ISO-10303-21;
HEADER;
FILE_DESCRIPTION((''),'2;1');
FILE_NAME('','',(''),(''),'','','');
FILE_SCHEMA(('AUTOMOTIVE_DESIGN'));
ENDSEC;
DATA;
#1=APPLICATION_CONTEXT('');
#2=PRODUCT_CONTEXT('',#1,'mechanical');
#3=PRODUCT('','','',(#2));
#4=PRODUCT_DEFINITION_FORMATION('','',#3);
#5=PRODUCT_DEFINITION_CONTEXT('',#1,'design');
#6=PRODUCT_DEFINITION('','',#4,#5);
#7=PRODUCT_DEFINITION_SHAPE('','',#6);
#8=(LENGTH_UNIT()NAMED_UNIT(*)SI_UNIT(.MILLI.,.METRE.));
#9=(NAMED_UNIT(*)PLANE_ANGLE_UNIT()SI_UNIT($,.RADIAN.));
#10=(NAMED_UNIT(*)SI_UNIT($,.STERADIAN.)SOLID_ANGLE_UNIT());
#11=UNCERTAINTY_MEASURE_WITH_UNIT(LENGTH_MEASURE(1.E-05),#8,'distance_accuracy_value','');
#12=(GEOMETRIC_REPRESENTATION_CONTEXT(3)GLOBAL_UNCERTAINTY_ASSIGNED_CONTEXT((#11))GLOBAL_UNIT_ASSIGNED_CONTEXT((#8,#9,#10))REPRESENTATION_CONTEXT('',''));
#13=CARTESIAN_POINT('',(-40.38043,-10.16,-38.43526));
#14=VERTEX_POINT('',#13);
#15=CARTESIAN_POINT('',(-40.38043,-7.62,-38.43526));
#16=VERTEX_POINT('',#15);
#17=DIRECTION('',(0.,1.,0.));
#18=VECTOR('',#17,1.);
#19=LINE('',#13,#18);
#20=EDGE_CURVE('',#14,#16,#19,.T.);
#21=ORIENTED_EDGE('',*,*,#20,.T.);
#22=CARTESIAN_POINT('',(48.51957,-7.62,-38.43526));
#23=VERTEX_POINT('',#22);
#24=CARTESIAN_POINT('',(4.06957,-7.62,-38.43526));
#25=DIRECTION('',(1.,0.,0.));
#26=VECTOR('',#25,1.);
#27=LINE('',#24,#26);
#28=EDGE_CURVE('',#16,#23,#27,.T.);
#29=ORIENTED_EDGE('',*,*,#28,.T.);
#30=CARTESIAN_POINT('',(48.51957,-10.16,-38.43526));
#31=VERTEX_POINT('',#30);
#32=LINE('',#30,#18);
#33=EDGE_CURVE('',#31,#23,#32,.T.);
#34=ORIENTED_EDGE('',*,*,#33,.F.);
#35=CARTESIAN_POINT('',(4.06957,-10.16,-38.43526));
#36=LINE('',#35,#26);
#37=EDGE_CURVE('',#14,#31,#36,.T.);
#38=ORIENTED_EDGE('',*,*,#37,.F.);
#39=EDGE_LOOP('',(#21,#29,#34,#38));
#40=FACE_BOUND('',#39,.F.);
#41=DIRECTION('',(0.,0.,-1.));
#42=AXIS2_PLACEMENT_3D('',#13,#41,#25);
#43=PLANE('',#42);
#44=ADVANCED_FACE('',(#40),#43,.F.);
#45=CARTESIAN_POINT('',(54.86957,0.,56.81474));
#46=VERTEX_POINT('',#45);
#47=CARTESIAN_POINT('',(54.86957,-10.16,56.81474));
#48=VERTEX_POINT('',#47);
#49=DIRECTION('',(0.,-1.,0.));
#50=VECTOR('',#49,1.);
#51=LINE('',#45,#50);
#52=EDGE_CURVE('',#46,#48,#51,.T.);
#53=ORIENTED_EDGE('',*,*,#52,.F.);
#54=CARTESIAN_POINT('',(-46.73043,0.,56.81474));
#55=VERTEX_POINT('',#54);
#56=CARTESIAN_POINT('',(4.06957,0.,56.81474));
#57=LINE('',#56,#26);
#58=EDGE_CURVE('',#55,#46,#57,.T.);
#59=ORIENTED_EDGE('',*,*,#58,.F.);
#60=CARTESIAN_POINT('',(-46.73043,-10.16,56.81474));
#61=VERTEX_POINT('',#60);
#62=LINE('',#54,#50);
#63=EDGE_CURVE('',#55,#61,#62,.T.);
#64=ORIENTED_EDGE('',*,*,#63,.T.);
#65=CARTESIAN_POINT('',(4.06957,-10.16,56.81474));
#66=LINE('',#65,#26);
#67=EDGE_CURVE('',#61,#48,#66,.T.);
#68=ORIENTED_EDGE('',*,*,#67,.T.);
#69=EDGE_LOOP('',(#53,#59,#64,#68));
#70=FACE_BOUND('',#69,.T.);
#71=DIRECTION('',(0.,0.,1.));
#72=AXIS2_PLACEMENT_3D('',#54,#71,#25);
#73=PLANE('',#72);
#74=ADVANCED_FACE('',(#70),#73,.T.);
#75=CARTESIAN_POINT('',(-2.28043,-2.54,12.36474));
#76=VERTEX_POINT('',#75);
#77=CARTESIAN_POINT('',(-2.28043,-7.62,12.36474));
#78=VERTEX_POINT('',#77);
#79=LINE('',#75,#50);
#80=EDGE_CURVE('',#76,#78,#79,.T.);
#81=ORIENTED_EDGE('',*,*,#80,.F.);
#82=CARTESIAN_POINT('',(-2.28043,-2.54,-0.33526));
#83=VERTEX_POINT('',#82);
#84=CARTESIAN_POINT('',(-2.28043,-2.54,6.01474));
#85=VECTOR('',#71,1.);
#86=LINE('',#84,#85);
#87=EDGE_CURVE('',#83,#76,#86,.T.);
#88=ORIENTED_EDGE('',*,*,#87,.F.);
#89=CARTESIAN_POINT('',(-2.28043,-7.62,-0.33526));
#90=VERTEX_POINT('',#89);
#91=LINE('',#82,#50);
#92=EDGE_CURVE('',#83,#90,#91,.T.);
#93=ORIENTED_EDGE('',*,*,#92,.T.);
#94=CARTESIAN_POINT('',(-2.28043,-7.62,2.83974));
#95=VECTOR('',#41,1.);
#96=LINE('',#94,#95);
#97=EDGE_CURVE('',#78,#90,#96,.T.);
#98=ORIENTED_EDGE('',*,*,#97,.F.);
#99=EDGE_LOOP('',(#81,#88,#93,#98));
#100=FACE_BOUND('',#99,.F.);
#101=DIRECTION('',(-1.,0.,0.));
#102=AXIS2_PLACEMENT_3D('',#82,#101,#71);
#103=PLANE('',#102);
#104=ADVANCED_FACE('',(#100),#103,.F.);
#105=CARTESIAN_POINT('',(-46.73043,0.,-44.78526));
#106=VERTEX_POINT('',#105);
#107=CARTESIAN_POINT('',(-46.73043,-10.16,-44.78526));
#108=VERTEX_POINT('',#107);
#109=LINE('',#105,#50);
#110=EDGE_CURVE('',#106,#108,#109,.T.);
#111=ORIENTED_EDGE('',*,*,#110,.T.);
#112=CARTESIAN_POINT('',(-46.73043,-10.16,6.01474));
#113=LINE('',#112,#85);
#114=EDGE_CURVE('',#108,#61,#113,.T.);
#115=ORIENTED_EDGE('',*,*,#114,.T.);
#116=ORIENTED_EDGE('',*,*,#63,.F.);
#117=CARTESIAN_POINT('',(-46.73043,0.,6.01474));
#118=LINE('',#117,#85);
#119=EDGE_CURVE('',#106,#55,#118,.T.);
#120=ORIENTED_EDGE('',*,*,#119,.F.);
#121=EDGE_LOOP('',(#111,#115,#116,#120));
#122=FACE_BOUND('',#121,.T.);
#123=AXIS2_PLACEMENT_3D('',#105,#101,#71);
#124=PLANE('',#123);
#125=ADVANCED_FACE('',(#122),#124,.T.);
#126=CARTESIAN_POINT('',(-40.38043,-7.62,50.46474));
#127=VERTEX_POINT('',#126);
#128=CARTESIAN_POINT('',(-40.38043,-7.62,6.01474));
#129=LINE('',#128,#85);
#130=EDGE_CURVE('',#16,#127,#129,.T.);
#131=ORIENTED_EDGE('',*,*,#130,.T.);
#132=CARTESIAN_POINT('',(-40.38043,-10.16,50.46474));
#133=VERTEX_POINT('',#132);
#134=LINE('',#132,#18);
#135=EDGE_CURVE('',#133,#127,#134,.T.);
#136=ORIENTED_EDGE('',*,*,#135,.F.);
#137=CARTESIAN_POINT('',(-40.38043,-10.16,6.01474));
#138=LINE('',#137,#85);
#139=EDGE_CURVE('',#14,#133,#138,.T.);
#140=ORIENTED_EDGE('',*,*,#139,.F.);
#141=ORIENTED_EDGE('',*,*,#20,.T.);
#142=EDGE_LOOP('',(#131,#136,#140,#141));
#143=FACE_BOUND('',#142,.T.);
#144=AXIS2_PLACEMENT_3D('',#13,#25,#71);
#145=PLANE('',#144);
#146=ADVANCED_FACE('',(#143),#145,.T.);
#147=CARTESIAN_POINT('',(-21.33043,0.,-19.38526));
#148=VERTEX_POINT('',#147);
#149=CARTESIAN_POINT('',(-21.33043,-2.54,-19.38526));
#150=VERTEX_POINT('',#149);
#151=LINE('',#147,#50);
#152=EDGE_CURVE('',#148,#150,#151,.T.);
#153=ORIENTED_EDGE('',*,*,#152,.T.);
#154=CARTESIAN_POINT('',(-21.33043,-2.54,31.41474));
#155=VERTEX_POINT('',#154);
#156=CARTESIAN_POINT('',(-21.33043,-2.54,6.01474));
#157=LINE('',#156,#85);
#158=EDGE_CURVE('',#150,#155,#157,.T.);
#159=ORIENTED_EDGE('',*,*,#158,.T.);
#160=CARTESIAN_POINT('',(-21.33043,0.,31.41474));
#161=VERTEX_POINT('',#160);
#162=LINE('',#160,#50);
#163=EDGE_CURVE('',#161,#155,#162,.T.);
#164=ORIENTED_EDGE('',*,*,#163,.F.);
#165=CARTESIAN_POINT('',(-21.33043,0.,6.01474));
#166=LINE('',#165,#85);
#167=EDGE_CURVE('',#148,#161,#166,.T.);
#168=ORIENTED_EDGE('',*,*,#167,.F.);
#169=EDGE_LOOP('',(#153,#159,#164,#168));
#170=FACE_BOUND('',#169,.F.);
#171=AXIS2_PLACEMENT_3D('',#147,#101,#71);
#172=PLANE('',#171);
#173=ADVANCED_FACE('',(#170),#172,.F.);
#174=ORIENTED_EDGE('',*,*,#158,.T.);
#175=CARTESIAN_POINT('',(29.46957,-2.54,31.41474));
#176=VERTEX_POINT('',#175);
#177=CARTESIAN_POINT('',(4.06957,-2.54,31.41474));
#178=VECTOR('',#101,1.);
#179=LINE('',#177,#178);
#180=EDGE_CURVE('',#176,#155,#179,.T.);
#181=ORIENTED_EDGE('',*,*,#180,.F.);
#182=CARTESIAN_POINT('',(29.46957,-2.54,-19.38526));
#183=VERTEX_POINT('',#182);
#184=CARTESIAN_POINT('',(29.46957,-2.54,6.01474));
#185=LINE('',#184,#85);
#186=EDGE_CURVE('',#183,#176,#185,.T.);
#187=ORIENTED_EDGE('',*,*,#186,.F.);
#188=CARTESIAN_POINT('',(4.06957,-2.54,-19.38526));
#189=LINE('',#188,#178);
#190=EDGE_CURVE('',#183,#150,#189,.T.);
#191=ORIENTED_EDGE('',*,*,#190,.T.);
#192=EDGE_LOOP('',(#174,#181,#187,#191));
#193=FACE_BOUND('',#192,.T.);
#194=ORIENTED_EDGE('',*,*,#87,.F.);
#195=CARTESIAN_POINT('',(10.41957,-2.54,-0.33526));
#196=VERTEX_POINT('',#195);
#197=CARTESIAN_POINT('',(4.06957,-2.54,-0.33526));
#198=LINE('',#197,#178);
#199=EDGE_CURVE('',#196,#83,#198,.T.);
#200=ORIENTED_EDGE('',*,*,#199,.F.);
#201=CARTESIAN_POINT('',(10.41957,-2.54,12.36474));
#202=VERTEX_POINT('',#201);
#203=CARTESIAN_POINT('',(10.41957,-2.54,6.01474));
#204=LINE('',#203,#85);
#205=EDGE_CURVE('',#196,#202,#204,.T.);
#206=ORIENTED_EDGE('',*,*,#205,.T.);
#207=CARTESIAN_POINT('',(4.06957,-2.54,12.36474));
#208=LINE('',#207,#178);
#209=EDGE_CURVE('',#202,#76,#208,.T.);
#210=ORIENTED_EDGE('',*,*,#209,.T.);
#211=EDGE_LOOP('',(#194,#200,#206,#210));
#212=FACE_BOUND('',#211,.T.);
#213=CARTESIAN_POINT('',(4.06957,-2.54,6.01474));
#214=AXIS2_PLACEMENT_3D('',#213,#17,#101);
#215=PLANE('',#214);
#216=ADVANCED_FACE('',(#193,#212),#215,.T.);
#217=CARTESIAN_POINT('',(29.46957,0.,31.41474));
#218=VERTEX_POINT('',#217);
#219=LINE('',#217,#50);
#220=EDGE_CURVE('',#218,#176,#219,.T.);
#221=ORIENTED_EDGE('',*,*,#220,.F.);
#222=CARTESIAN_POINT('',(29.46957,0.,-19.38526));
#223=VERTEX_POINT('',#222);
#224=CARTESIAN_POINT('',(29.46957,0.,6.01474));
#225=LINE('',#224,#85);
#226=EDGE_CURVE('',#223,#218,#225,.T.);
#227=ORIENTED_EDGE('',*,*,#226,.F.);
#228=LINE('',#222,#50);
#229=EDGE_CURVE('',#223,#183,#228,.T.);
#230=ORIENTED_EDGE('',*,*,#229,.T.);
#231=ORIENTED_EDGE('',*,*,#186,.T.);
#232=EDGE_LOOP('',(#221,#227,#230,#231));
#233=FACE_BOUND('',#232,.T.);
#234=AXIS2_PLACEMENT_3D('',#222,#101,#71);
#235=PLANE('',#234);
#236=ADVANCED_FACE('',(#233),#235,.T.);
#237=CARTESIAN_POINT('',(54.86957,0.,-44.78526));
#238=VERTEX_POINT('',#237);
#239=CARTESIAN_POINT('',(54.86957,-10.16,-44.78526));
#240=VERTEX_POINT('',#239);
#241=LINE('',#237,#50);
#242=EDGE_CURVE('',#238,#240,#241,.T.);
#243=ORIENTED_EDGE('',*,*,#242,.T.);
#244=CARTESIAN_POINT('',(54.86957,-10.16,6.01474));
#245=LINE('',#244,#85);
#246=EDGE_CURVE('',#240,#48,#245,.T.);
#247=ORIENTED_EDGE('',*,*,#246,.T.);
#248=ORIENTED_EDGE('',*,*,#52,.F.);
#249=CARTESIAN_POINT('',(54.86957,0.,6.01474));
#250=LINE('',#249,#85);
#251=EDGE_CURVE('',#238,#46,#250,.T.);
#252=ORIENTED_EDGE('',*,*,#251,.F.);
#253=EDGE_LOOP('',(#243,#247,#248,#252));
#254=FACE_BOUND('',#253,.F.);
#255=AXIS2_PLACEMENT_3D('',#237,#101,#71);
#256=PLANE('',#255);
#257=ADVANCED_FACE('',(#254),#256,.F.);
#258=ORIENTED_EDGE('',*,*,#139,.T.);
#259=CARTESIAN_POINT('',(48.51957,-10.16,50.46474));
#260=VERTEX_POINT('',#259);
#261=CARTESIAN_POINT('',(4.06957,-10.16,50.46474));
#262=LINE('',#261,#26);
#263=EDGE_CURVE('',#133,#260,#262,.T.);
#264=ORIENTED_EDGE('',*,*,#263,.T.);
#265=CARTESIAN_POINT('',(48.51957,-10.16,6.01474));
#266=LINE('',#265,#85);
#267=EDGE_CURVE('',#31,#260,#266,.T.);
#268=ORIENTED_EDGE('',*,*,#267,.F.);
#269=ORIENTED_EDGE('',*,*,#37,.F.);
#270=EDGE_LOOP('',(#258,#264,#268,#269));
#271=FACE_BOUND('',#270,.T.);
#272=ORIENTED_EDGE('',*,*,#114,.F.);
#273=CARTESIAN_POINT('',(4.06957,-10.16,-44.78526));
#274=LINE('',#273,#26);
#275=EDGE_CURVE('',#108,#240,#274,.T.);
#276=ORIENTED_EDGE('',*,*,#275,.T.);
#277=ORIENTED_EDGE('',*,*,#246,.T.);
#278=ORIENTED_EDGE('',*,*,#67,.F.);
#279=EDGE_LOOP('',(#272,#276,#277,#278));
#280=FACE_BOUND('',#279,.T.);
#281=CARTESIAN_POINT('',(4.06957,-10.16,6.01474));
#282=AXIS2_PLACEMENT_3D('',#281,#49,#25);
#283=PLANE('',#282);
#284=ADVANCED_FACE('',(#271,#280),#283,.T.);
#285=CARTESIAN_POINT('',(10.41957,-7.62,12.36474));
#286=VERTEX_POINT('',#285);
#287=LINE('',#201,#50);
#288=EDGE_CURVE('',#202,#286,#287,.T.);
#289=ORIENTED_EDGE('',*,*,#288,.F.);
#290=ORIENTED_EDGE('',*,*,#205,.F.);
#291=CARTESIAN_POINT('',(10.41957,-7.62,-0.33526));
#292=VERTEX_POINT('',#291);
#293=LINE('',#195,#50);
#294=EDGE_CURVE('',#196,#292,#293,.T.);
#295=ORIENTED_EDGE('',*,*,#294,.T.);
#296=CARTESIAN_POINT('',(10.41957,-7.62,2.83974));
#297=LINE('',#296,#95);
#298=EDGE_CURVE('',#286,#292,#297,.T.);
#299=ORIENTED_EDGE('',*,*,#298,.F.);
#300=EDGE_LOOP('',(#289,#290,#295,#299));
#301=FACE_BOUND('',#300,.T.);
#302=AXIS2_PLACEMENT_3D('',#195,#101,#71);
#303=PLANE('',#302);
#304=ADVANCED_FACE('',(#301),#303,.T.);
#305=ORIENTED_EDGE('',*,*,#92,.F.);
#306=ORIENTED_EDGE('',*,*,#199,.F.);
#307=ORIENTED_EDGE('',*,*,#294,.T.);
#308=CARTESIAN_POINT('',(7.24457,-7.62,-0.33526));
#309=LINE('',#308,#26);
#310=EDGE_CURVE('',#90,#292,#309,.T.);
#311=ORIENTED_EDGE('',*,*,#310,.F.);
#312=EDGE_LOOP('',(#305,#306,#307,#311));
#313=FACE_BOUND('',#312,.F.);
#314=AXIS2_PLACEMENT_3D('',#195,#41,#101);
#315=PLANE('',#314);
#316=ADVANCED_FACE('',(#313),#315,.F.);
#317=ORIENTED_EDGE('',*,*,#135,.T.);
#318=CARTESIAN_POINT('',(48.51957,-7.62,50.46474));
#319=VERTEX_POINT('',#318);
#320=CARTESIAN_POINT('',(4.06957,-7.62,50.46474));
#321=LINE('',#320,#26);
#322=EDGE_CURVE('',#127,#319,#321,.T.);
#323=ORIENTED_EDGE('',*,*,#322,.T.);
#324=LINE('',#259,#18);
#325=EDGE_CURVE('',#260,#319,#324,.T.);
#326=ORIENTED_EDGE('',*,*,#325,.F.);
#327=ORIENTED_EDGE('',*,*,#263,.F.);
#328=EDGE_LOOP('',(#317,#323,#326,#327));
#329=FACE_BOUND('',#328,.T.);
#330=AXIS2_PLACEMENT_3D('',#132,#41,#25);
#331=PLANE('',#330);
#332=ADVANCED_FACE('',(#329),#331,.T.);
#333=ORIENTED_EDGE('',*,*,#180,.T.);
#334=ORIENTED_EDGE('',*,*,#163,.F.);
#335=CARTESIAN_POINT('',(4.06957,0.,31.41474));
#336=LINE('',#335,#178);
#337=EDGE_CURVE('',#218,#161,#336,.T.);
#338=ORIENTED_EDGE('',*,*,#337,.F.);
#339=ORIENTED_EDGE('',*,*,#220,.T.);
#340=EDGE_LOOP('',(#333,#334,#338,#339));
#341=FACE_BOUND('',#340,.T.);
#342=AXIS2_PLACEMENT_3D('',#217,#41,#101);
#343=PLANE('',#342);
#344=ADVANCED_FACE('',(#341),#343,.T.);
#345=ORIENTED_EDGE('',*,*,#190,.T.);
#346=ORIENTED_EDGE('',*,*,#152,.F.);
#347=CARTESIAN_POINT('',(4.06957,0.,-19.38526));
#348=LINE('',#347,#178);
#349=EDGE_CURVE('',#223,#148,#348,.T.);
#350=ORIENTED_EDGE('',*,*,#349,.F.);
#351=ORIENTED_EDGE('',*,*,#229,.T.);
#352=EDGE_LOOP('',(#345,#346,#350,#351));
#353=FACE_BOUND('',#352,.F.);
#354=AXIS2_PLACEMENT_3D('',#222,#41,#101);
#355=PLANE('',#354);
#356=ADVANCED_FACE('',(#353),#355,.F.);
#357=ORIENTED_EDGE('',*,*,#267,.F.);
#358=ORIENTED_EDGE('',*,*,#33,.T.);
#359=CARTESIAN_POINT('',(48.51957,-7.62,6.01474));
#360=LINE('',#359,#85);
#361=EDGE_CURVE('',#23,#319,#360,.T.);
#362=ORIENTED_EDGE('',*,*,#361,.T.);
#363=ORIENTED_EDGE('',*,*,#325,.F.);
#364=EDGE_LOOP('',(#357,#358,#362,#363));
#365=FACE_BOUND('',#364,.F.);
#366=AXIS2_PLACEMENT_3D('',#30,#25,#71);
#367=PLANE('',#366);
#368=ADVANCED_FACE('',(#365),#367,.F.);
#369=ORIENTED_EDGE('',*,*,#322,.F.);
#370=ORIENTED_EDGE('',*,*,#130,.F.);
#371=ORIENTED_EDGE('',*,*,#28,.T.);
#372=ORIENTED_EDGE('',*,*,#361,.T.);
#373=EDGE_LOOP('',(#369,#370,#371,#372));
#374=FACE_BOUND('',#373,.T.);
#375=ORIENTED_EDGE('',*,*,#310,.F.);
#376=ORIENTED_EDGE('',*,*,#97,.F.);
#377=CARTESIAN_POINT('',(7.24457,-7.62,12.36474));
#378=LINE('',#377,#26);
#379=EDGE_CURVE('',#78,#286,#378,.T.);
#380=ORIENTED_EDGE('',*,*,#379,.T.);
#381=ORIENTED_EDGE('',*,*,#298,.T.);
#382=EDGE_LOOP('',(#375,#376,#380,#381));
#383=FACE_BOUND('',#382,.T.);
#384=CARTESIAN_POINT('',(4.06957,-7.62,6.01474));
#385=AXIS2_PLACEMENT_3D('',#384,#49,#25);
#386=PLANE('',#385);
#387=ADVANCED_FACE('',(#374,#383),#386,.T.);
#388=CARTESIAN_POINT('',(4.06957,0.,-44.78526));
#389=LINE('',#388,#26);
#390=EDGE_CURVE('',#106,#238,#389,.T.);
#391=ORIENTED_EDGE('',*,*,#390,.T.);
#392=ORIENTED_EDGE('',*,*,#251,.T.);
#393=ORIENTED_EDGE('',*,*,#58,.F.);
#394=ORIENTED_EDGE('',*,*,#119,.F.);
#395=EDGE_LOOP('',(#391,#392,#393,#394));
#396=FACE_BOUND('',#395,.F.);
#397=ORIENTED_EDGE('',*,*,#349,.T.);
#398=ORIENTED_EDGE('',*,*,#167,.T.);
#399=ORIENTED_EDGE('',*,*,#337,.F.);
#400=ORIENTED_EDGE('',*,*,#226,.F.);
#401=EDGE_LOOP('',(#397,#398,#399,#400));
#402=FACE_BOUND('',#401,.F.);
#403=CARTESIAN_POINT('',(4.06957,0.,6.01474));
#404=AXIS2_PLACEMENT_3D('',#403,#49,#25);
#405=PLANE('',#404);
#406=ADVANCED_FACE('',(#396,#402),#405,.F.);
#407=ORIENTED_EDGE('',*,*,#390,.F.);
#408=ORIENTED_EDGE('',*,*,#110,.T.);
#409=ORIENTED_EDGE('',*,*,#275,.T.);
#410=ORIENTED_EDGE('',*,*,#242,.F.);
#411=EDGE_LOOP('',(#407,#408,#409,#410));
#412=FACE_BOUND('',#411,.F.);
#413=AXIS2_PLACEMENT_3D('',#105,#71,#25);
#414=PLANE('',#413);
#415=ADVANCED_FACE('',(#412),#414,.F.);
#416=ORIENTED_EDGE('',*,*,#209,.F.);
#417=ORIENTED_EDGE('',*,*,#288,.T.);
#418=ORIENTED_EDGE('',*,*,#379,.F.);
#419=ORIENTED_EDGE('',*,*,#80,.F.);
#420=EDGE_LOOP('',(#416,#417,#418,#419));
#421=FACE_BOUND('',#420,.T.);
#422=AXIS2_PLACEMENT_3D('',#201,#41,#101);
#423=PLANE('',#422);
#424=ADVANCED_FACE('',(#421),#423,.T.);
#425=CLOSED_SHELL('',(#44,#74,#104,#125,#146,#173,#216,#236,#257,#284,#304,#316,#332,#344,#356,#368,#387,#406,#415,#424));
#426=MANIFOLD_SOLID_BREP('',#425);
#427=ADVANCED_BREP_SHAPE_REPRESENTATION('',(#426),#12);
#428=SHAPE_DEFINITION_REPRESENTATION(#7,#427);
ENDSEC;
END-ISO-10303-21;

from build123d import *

# Parameters (mm, degrees)
F0_W     = 101.6
F0_H     = 101.6
F1_DEPTH = 10.16
F2_W     = 88.9
F2_H     = 88.9
F3_DEPTH = 2.54
F4_W     = 50.8
F4_H     = 50.8
F5_DEPTH = 2.54
F6_W     = 12.7
F6_H     = 12.7
F7_DEPTH = 25.4


with BuildPart() as f1:
    # F0 (on Front) → F1 (new body)
    with BuildSketch(Plane.XZ):
        with Locations((4.06957, 6.01474)):
            Rectangle(F0_W, F0_H)
    extrude(amount=F1_DEPTH)

    # F2 (on face) → F3 (cut)
    with BuildSketch(Plane.XZ.offset(10.16)):
        with Locations((4.06957, 6.01474)):
            Rectangle(F2_W, F2_H)
    extrude(amount=-F3_DEPTH, mode=Mode.SUBTRACT)

    # F4 (on face) → F5 (cut)
    with BuildSketch(Plane(origin=(0, 0, 0), x_dir=(-1, 0, 0), z_dir=(0, 1, 0))):
        with Locations((-4.06957, 6.01474)):
            Rectangle(F4_W, F4_H)
    extrude(amount=-F5_DEPTH, mode=Mode.SUBTRACT)

    # F6 (on face) → F7 (cut)
    with BuildSketch(Plane(origin=(0, -2.54, 0), x_dir=(-1, 0, 0), z_dir=(0, 1, 0))):
        with Locations((-4.06957, 6.01474)):
            Rectangle(F6_W, F6_H)
    extrude(amount=-F7_DEPTH, mode=Mode.SUBTRACT)


solid = f1.part
